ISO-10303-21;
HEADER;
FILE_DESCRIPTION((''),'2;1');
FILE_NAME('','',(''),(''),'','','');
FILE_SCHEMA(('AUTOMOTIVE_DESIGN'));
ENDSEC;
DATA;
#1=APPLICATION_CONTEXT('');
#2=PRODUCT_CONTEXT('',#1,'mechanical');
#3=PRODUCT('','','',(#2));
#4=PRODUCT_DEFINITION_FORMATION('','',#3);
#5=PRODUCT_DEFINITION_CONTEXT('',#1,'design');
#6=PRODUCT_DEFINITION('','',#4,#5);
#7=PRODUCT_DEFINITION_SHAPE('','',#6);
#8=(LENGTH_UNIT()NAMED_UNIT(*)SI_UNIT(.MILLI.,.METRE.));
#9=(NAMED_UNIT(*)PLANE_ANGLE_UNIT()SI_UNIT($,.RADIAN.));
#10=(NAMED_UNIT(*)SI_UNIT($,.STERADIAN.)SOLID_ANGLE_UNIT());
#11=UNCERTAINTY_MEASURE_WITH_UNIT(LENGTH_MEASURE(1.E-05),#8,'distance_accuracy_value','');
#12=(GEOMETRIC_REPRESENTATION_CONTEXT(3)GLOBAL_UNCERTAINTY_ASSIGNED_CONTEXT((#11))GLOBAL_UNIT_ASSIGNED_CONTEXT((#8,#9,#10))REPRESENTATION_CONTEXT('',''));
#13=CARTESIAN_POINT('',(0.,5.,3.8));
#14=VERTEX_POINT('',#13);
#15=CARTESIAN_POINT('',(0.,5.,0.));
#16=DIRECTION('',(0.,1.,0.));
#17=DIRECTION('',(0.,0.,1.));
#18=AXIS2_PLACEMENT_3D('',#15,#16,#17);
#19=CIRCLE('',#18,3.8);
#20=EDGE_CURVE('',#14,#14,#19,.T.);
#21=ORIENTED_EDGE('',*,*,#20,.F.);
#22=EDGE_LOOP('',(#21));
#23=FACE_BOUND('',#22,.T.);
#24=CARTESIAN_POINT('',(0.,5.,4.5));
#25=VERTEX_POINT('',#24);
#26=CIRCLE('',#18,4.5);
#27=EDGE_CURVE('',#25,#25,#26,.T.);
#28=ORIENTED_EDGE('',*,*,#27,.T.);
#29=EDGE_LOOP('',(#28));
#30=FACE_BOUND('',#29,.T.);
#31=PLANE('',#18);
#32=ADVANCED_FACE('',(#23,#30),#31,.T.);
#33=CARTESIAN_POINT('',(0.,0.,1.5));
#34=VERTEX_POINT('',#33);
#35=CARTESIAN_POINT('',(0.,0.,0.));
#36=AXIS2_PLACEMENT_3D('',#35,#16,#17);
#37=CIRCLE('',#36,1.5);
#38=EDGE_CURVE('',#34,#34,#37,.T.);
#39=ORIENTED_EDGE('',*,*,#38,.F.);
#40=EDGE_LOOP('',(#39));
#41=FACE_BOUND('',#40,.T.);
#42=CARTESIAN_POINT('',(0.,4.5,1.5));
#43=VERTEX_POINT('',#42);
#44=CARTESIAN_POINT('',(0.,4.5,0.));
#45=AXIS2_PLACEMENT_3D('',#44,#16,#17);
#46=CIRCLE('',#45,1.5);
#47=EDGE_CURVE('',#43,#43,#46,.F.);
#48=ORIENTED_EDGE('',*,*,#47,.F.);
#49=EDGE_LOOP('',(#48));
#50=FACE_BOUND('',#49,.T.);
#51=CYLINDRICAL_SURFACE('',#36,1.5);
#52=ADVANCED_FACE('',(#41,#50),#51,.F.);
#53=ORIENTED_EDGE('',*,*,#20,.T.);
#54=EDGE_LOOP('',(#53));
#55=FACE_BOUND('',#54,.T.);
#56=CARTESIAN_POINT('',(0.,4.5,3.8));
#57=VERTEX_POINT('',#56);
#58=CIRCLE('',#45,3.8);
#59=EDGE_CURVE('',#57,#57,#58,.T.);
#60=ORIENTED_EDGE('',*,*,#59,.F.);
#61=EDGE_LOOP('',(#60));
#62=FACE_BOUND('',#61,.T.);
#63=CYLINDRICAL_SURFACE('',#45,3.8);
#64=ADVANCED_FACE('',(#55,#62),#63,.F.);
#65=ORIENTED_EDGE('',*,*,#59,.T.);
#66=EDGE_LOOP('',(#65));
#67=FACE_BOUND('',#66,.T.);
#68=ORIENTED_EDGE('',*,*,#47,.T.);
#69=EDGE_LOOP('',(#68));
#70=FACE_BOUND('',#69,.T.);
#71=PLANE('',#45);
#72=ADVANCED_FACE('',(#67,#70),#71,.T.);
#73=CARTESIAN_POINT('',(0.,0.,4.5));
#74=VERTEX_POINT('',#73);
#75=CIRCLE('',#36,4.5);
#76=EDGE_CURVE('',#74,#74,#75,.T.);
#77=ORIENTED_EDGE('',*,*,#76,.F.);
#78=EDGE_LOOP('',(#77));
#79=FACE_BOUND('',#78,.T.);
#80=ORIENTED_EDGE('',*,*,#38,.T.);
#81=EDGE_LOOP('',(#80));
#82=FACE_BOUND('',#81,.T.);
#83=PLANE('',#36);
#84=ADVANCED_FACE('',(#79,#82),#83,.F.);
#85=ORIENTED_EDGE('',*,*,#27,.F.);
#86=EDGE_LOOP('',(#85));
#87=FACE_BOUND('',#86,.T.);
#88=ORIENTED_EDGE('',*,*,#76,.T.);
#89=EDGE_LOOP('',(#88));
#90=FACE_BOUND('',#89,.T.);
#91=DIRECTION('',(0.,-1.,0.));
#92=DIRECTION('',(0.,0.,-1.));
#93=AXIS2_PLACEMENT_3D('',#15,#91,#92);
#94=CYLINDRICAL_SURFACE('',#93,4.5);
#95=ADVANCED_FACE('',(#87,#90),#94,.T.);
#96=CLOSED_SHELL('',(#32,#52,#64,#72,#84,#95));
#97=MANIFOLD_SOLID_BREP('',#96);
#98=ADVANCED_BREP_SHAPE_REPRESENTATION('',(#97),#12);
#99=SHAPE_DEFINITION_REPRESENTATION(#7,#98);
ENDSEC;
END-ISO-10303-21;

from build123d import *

# Parameters (mm, degrees)
SKETCH1_R           = 4.5
BOSS_EXTRUDE1_DEPTH = 5
SKETCH2_R           = 1.5
CUT_EXTRUDE1_DEPTH  = 6
SKETCH3_R           = 3.8
CUT_EXTRUDE2_DEPTH  = 0.5


with BuildPart() as part:
    # Sketch1 → Boss-Extrude1 (new body)
    with BuildSketch(Plane(origin=(0, 0, 0), x_dir=(1, 0, 0), z_dir=(0, 1, 0))):
        Circle(SKETCH1_R)
    extrude(amount=BOSS_EXTRUDE1_DEPTH)

    # Sketch2 → Cut-Extrude1 (cut, through all)
    with BuildSketch(Plane(origin=(0, 5, 0), x_dir=(1, 0, 0), z_dir=(0, 1, 0))):
        Circle(SKETCH2_R)
    extrude(amount=-CUT_EXTRUDE1_DEPTH, mode=Mode.SUBTRACT)

    # Sketch3 → Cut-Extrude2 (cut)
    with BuildSketch(Plane(origin=(0, 5, 0), x_dir=(1, 0, 0), z_dir=(0, 1, 0))):
        Circle(SKETCH3_R)
    extrude(amount=-CUT_EXTRUDE2_DEPTH, mode=Mode.SUBTRACT)


solid = part.part
